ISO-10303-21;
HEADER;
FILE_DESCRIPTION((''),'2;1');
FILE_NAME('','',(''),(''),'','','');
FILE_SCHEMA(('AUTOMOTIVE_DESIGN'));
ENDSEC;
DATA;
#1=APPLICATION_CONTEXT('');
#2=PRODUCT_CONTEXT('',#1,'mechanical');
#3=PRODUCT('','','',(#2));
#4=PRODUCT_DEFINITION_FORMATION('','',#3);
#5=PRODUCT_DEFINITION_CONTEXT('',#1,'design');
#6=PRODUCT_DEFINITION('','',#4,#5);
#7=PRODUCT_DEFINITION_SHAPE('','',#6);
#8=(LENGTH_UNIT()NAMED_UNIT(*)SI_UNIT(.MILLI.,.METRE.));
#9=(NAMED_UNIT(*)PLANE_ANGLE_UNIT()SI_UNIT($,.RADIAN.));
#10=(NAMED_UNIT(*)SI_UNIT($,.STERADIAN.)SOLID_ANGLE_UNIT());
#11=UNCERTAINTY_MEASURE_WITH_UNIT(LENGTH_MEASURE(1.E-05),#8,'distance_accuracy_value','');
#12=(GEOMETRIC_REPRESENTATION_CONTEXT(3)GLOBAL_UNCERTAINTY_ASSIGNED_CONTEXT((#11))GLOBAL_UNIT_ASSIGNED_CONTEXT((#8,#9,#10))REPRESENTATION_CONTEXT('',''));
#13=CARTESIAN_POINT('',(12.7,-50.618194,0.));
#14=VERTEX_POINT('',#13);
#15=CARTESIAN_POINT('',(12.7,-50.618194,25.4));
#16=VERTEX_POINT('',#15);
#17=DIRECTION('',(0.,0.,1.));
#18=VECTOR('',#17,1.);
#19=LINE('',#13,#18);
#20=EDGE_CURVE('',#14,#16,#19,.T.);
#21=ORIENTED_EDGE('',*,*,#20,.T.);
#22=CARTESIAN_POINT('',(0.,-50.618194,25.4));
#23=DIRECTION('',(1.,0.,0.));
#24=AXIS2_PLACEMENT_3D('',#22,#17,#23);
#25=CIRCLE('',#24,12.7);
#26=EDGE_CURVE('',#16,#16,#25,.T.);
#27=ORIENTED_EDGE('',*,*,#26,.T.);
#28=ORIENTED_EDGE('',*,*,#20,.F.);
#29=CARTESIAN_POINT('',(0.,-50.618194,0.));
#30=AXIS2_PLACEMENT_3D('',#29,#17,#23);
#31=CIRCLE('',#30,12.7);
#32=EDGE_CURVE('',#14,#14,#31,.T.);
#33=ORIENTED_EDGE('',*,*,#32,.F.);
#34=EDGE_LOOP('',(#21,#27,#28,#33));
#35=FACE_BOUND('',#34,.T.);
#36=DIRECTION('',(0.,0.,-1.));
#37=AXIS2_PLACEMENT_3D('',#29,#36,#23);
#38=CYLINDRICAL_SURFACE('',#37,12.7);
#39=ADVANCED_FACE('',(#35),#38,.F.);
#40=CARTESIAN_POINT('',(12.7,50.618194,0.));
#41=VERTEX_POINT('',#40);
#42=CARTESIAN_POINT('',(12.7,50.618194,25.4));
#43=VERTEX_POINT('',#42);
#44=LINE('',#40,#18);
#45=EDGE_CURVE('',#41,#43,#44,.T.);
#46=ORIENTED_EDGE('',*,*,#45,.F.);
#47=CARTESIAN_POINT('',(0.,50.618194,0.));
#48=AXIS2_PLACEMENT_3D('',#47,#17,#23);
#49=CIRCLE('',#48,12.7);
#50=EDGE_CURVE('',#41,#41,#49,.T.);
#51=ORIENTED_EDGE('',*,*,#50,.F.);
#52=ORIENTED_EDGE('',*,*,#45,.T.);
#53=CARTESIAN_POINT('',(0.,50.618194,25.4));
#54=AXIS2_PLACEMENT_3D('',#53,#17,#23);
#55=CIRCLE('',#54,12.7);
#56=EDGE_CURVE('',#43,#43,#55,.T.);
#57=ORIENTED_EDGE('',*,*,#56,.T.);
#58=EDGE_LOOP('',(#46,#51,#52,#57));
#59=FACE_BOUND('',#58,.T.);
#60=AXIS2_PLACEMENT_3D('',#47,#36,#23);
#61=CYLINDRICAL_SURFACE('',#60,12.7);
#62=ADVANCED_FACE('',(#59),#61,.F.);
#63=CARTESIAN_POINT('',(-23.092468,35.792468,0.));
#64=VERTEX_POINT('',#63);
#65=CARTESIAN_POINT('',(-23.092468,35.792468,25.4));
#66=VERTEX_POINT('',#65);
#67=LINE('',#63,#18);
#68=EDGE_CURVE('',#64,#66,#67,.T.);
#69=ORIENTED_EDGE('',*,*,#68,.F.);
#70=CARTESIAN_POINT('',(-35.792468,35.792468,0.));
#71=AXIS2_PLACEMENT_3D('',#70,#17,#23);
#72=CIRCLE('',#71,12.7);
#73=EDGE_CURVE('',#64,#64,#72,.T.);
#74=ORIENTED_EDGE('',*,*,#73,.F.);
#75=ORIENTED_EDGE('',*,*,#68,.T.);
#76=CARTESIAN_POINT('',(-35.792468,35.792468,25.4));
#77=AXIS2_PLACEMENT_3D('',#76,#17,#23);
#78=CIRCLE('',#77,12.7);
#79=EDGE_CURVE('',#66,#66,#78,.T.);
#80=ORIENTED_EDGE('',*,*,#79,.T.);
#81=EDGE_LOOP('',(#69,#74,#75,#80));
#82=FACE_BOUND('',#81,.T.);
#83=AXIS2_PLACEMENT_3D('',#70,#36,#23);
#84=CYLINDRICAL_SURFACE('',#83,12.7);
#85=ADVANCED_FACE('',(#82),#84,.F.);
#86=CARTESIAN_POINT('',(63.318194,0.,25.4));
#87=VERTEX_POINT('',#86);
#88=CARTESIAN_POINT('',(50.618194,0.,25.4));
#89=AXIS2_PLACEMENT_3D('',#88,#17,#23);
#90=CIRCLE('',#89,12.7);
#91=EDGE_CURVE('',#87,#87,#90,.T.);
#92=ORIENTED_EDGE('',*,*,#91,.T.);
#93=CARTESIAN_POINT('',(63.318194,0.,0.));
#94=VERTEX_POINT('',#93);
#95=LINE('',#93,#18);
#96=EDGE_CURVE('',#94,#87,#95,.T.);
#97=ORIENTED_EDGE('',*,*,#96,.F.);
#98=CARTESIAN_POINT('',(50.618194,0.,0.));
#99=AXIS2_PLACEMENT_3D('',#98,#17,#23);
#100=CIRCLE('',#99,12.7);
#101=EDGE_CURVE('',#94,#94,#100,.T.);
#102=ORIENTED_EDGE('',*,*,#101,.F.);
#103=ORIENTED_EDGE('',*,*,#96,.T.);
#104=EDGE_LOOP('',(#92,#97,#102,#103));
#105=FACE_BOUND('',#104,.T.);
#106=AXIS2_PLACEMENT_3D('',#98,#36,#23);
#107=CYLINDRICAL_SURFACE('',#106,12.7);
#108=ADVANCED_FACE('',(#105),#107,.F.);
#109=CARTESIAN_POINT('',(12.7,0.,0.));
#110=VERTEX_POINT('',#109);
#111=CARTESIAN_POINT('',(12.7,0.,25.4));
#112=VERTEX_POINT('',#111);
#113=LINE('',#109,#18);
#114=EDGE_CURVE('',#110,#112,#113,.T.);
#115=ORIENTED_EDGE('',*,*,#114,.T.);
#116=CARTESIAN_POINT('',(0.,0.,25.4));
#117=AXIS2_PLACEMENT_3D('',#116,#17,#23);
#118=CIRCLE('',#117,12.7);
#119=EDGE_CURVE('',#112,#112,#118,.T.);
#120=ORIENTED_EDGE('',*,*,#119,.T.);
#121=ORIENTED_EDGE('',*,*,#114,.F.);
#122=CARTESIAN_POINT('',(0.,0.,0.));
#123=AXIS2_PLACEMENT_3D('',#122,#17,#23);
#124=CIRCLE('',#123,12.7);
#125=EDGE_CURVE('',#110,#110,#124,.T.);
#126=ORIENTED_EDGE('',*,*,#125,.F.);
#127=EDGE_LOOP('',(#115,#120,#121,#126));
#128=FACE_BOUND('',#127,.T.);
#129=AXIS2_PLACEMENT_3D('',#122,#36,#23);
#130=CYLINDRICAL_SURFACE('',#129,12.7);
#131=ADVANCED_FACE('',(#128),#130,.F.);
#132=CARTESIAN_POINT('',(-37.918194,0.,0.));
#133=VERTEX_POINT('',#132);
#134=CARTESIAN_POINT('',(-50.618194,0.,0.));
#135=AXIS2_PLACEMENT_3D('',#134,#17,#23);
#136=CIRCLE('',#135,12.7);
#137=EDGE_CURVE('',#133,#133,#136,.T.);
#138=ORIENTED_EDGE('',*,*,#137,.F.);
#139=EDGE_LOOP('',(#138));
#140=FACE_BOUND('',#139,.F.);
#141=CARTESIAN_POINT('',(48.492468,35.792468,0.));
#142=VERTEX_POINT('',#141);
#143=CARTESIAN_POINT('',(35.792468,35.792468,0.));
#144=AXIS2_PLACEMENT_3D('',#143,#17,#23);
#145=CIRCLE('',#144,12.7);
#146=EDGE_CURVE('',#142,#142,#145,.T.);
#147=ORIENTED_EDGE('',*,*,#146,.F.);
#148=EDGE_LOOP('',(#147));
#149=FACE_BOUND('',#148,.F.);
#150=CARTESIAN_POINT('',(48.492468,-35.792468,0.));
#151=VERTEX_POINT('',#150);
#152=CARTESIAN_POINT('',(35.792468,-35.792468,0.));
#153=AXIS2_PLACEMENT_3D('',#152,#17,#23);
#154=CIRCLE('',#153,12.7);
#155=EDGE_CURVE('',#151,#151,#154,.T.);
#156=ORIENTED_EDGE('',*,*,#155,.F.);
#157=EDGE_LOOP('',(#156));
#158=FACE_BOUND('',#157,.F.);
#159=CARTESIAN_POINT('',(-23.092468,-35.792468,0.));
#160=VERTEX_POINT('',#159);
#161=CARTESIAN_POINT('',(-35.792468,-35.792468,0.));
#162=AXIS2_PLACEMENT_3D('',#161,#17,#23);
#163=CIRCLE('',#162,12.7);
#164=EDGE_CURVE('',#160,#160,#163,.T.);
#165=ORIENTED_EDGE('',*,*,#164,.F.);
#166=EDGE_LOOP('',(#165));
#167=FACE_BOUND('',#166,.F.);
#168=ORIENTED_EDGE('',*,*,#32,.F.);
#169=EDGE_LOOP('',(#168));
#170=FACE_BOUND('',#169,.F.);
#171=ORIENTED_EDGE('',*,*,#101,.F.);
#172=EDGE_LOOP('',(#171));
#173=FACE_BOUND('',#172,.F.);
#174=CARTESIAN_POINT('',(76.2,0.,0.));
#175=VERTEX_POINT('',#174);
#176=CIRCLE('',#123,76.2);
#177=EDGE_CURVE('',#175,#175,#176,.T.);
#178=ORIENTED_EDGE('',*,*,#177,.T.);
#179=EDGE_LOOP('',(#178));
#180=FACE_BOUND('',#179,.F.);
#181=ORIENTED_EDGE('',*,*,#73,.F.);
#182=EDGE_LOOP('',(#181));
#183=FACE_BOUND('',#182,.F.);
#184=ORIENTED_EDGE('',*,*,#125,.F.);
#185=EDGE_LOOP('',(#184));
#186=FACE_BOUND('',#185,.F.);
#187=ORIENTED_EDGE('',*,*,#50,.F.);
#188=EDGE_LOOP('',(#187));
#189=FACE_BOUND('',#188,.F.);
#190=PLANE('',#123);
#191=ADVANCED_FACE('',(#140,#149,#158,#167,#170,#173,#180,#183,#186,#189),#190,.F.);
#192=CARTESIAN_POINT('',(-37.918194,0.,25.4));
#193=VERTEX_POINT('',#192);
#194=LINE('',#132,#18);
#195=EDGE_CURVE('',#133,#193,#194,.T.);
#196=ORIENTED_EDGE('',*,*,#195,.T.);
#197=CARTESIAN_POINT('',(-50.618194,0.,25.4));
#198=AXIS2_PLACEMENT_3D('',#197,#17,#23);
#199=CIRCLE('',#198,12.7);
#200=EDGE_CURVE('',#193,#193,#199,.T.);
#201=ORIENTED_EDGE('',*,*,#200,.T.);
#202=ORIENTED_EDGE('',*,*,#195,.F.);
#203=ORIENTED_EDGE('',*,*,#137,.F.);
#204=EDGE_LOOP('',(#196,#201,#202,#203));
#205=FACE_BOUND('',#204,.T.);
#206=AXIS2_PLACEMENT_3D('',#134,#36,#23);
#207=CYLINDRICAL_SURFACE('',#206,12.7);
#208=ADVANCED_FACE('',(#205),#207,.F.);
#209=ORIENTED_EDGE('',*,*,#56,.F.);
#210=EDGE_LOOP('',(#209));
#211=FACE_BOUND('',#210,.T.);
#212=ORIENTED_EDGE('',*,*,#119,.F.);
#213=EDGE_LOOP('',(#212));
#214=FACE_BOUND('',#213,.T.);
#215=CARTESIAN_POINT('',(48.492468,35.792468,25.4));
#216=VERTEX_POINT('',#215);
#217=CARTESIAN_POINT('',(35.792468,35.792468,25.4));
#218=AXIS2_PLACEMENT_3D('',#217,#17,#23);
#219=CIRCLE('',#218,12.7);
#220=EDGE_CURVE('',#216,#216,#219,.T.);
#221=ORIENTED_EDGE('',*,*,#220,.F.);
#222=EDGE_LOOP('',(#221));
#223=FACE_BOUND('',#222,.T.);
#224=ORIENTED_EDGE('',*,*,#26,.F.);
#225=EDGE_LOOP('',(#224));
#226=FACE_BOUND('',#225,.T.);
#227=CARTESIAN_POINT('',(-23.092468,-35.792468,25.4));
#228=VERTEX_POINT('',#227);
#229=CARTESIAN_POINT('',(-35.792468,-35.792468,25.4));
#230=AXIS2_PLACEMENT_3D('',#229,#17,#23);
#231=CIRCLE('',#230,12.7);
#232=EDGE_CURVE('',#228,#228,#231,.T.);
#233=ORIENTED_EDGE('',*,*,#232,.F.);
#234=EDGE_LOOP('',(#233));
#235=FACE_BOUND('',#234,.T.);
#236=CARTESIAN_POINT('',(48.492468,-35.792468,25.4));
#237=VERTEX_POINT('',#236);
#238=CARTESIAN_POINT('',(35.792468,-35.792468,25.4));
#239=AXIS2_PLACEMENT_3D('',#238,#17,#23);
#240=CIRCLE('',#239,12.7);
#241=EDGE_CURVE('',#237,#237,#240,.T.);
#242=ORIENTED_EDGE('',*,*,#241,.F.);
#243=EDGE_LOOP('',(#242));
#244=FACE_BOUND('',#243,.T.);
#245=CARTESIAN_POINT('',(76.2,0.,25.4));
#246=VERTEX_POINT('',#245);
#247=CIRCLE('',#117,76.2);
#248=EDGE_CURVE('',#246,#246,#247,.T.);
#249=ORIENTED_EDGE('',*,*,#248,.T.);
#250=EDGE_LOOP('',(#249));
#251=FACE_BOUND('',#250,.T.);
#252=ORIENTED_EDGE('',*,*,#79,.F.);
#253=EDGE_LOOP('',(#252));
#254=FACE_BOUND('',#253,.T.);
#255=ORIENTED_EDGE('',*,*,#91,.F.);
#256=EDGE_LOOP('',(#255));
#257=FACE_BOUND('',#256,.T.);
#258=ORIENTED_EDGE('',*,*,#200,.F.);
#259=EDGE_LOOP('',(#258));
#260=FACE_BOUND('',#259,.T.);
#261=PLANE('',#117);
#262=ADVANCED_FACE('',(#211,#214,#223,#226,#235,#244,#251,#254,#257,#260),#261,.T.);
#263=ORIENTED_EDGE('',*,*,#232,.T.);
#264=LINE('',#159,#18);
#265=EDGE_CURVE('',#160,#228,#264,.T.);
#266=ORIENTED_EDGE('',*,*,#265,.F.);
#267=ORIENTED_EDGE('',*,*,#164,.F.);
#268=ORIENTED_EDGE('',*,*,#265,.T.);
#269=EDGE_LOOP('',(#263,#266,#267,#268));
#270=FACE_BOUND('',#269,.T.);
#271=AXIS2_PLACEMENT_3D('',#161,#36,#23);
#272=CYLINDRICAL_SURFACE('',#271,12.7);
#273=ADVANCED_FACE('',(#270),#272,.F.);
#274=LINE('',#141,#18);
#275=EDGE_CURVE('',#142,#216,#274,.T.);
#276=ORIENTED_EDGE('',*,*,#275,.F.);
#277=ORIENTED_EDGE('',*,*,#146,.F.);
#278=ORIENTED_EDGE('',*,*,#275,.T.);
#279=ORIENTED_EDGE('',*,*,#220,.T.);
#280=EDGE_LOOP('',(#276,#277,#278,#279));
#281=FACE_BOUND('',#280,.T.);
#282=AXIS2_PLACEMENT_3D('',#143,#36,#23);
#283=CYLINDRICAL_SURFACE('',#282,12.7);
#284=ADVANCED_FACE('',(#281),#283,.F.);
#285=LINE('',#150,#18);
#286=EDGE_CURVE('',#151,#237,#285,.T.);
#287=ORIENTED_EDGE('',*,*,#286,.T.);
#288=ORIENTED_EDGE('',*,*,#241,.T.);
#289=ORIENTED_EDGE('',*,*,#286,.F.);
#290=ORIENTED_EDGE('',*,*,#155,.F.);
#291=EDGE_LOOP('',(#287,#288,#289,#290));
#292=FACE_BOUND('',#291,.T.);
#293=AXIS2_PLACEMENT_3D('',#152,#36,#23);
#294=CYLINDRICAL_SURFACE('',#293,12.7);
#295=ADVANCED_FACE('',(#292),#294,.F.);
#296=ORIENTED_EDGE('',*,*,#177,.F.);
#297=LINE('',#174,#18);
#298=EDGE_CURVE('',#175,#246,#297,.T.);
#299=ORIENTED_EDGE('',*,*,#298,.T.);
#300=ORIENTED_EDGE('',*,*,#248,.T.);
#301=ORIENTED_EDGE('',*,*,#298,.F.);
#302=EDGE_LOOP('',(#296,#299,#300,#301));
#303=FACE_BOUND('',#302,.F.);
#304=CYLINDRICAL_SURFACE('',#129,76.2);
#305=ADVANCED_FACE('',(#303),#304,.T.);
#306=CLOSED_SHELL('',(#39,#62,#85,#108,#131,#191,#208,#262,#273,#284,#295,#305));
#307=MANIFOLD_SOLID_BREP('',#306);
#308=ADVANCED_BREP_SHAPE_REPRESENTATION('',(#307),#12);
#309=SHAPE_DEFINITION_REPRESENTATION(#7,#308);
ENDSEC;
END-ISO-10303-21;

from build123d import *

# Parameters (mm, degrees)
F0_R     = 76.2
F0_R_2   = 12.7
F1_DEPTH = 25.4


with BuildPart() as f1:
    # F0 (on Top) → F1 (new body)
    with BuildSketch(Plane.XY):
        Circle(F0_R)
        with Locations((-35.792468, -35.792468)):
            Circle(F0_R_2, mode=Mode.SUBTRACT)
        with Locations((0, -50.618194)):
            Circle(F0_R_2, mode=Mode.SUBTRACT)
        with Locations((35.792468, -35.792468)):
            Circle(F0_R_2, mode=Mode.SUBTRACT)
        with Locations((-50.618194, 0)):
            Circle(F0_R_2, mode=Mode.SUBTRACT)
        with Locations((-35.792468, 35.792468)):
            Circle(F0_R_2, mode=Mode.SUBTRACT)
        Circle(F0_R_2, mode=Mode.SUBTRACT)
        with Locations((35.792468, 35.792468)):
            Circle(F0_R_2, mode=Mode.SUBTRACT)
        with Locations((50.618194, 0)):
            Circle(F0_R_2, mode=Mode.SUBTRACT)
        with Locations((0, 50.618194)):
            Circle(F0_R_2, mode=Mode.SUBTRACT)
    extrude(amount=F1_DEPTH)


solid = f1.part
